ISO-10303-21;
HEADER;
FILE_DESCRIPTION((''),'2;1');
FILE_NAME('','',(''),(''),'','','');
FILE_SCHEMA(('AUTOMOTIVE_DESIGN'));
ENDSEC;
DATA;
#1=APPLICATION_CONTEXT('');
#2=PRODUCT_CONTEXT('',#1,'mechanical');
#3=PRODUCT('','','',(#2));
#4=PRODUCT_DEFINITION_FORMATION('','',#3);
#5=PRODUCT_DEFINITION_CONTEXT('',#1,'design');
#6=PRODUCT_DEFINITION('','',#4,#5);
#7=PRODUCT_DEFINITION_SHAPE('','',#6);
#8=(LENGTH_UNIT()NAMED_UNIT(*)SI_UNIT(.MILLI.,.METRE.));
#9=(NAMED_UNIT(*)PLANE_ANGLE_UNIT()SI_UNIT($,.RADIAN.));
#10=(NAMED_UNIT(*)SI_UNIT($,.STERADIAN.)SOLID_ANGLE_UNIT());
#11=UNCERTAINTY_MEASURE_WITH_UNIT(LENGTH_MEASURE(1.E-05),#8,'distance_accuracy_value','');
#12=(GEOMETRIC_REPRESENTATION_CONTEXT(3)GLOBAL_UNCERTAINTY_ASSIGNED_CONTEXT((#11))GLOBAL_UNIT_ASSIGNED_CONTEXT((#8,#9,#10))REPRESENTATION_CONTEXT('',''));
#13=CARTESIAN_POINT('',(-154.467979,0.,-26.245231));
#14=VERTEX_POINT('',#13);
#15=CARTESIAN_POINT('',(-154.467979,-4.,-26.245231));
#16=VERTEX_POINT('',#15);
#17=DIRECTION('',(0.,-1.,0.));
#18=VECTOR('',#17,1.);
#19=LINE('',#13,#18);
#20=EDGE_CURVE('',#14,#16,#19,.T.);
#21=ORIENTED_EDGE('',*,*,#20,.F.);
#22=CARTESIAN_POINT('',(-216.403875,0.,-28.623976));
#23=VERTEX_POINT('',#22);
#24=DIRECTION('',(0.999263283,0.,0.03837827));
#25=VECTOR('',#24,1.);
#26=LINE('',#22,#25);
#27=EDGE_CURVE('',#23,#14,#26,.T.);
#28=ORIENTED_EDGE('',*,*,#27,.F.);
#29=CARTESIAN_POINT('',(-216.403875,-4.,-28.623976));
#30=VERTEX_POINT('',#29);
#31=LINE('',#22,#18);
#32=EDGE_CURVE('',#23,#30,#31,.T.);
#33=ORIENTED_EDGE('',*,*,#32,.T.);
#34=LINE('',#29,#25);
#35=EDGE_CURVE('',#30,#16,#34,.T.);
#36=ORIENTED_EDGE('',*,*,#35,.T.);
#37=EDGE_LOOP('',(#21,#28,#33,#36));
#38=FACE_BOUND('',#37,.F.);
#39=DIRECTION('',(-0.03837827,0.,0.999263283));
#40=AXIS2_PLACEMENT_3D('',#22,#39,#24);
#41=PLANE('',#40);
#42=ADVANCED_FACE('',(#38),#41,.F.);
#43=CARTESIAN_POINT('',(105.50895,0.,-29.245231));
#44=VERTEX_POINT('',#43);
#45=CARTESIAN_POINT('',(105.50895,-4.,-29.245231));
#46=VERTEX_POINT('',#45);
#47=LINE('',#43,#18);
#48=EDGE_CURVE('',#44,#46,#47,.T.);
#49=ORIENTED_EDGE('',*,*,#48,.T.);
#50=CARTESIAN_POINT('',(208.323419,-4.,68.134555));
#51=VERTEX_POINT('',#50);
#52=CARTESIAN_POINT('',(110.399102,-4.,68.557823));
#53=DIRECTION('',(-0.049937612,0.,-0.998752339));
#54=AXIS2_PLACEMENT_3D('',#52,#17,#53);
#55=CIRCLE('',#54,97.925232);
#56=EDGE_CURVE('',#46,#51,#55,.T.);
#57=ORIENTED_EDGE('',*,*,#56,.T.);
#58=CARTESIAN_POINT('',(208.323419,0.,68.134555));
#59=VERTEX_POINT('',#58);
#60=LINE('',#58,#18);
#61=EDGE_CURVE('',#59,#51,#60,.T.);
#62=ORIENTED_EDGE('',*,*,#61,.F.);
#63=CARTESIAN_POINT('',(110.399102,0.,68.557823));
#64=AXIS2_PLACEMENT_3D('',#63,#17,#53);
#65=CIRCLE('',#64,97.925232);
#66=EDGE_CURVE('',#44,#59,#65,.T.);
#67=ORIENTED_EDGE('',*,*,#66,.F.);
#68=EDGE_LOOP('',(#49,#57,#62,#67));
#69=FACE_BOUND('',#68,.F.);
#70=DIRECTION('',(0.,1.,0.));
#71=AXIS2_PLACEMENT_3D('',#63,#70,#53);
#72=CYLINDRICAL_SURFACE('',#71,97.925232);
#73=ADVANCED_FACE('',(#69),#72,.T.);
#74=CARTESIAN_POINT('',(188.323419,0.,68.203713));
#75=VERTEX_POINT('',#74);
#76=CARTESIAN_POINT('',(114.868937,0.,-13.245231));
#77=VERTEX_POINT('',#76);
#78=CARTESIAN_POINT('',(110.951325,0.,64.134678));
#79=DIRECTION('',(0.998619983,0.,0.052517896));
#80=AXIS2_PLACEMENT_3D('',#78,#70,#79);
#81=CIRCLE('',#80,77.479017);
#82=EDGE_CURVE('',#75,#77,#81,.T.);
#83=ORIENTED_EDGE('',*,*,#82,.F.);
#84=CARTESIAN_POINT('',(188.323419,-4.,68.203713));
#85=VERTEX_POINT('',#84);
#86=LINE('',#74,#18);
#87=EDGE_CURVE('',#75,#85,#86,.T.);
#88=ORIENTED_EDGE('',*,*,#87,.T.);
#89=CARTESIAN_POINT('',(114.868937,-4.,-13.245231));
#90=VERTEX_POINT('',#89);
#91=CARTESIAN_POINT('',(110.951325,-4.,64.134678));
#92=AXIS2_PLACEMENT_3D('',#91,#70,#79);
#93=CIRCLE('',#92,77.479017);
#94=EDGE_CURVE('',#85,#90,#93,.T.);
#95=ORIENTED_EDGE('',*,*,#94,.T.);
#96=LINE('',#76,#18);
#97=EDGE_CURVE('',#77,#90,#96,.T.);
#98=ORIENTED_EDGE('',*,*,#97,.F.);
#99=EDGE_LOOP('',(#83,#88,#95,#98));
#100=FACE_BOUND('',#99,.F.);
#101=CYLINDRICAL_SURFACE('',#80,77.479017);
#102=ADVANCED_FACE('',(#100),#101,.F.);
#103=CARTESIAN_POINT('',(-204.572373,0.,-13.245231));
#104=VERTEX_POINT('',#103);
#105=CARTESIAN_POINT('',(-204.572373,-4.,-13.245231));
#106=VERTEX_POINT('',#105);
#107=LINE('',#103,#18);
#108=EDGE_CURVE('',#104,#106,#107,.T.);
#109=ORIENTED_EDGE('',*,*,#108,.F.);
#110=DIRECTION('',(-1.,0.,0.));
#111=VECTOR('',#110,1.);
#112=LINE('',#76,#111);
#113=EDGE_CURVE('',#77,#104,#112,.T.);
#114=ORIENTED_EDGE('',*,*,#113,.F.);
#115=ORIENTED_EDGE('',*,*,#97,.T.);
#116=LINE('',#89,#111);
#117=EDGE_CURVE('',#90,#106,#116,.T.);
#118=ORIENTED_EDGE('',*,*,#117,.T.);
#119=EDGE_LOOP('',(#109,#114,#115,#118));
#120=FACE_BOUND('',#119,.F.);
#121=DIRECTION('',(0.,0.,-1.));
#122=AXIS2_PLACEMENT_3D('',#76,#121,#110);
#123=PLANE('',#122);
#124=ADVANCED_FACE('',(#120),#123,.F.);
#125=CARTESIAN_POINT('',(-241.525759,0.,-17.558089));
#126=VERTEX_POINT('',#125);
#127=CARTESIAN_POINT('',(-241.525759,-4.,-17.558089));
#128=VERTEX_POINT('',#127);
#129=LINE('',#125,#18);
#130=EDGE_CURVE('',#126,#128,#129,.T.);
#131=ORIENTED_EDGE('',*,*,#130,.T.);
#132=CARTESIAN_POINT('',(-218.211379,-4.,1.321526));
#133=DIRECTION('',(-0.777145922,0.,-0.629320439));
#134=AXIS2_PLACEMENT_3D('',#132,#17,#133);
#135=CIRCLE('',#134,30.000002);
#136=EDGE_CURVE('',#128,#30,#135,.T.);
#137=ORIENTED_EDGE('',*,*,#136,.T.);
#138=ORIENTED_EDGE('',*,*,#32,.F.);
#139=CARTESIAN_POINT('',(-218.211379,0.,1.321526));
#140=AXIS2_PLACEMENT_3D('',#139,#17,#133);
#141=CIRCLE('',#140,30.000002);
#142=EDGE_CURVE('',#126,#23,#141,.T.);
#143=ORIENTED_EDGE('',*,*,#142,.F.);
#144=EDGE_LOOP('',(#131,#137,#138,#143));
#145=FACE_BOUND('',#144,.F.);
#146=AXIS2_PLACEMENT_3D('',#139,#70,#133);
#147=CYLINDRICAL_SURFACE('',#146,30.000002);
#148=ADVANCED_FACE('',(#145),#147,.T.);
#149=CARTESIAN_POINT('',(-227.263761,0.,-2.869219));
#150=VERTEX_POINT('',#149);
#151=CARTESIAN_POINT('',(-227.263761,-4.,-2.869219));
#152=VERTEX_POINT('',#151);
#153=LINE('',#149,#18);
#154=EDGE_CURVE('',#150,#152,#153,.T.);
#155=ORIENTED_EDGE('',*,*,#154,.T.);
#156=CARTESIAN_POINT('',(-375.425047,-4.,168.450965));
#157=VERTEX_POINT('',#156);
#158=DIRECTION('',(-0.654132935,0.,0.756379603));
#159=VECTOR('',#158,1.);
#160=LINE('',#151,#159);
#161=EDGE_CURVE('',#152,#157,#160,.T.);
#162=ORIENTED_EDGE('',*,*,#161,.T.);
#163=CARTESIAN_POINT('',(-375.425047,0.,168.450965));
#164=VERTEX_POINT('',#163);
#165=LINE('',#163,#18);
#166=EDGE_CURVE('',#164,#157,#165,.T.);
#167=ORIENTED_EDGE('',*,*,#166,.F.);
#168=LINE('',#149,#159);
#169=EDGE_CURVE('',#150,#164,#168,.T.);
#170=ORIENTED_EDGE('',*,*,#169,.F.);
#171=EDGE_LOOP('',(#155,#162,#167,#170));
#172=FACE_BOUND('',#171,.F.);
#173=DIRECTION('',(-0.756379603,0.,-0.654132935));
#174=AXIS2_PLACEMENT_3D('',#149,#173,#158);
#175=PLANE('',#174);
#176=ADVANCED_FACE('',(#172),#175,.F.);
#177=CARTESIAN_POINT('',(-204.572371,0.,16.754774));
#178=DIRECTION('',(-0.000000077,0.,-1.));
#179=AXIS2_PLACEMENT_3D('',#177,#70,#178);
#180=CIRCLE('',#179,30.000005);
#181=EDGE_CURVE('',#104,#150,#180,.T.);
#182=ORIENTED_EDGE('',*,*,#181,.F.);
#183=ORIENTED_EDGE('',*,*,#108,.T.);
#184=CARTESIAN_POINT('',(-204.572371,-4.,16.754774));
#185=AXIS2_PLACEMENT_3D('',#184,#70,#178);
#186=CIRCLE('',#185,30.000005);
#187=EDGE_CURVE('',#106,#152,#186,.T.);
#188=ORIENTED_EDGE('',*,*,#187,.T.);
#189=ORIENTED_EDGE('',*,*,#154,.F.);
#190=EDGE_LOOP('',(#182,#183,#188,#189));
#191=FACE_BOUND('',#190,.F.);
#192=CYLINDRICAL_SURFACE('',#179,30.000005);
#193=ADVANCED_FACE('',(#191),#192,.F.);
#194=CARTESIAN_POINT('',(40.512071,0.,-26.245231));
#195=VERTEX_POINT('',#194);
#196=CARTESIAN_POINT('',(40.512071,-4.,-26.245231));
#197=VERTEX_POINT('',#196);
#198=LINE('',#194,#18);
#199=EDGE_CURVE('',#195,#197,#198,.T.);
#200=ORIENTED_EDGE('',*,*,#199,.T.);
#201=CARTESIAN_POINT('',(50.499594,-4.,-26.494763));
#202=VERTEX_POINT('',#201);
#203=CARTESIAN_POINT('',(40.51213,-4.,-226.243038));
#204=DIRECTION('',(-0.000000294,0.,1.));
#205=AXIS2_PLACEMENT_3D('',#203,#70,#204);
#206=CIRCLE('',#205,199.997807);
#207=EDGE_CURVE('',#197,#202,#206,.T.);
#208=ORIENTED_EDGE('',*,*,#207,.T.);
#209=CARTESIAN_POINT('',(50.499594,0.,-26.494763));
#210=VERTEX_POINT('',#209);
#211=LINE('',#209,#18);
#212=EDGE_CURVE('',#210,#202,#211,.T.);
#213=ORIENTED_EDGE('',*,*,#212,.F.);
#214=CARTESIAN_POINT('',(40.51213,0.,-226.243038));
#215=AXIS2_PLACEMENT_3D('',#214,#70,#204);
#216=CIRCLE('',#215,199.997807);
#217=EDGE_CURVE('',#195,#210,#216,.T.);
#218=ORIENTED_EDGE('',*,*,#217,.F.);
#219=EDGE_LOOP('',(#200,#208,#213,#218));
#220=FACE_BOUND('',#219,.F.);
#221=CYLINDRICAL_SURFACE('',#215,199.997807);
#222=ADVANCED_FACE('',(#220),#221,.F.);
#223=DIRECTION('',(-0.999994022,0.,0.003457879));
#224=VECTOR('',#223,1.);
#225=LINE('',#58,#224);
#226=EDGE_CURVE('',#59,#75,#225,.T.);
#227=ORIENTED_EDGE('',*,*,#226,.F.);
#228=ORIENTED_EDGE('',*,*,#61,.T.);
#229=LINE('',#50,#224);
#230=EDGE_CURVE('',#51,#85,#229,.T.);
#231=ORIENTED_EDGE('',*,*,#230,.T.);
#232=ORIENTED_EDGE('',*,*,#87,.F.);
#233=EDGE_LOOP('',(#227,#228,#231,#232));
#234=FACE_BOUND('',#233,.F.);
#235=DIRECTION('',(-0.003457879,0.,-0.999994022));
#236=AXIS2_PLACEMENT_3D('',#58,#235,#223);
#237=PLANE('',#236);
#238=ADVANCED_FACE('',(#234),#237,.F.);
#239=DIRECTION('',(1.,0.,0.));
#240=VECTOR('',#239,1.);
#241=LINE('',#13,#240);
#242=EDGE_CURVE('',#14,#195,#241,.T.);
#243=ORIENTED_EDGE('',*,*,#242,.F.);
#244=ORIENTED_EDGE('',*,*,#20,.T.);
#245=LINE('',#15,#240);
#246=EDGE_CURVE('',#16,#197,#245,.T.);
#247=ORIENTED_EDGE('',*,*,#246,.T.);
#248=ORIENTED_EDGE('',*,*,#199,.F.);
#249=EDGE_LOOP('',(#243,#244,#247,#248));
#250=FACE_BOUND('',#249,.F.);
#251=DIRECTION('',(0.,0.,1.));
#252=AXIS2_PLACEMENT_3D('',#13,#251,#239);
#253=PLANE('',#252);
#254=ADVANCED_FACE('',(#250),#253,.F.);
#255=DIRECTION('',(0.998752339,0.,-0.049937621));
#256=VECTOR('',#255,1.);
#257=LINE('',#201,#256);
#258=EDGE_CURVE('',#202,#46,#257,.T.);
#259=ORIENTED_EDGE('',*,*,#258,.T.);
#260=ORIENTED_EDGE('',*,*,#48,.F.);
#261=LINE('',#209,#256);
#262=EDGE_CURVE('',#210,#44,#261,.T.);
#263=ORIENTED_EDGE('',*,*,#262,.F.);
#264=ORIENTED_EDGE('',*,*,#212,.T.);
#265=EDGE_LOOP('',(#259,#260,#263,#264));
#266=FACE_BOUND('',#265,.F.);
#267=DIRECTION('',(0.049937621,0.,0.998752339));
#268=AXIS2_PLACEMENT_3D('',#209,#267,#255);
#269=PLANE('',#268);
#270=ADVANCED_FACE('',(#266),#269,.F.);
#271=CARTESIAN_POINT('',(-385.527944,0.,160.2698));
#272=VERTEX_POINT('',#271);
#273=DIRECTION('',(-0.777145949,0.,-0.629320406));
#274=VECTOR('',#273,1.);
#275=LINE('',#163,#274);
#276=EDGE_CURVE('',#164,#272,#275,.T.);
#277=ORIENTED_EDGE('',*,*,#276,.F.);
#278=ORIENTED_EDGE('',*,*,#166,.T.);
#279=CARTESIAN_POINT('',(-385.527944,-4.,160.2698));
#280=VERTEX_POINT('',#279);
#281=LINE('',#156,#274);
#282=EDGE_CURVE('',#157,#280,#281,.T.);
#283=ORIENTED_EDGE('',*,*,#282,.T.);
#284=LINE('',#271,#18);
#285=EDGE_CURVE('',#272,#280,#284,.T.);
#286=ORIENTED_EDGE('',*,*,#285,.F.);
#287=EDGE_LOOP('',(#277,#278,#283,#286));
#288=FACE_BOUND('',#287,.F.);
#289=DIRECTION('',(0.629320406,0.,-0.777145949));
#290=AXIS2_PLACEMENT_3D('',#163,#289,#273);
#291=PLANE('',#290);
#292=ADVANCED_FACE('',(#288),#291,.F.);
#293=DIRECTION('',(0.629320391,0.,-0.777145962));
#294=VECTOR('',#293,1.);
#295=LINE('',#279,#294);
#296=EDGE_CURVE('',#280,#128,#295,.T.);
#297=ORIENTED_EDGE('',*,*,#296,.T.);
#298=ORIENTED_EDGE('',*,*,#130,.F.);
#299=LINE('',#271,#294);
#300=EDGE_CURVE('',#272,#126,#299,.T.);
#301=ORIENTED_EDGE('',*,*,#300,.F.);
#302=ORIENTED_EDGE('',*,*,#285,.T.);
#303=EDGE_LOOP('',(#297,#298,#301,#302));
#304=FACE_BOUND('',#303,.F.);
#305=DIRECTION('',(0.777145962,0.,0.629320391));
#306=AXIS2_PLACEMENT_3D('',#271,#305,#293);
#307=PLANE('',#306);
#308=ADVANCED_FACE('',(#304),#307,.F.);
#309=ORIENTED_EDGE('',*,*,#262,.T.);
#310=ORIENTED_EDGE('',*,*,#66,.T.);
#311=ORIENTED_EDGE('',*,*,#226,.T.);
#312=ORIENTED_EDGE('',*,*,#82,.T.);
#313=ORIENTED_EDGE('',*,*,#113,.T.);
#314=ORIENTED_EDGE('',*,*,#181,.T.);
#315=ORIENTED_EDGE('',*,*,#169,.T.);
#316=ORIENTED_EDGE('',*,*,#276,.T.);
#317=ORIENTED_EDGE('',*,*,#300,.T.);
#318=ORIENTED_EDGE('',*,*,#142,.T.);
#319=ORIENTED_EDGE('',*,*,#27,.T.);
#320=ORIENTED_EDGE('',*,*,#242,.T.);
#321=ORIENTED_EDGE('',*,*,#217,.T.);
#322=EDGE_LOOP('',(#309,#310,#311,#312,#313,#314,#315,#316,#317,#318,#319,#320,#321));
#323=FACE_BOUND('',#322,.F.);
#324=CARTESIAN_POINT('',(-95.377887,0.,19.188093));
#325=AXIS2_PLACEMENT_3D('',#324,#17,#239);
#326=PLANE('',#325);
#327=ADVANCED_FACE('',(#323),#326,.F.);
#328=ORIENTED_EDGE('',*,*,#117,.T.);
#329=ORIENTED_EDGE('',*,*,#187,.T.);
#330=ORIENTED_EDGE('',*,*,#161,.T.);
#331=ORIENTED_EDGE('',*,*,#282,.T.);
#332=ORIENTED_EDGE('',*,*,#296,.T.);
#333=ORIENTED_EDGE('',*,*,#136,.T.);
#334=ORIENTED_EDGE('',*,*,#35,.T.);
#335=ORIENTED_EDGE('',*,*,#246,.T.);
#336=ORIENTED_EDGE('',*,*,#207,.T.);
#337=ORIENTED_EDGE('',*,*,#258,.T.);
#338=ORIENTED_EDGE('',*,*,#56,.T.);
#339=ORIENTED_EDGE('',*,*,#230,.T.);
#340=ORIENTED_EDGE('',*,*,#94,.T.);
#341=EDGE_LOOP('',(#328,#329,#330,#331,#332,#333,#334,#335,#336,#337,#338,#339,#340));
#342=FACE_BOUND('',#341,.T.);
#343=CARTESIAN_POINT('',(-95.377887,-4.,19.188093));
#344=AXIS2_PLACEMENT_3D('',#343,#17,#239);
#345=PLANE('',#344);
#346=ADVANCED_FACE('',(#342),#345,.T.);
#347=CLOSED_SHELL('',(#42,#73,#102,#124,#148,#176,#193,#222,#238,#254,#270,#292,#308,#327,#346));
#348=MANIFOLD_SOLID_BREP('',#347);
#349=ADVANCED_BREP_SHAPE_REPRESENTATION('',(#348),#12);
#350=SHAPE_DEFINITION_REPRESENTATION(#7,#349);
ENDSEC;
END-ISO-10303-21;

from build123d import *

# Parameters (mm, degrees)
F1_DEPTH = 4


with BuildPart() as f1:
    # F0 (on Front) → F1 (new body)
    with BuildSketch(Plane.XZ):
        with BuildLine():
            Line((-385.527944, 160.2698), (-241.525759, -17.558089))
            ThreePointArc((-241.525759, -17.558089), (-230.304761, -26.132987), (-216.403875, -28.623976))
            Line((-216.403875, -28.623976), (-154.467979, -26.245231))
            Line((-154.467979, -26.245231), (40.512071, -26.245231))
            ThreePointArc((40.512071, -26.245231), (45.507391, -26.307623), (50.499594, -26.494763))
            Line((50.499594, -26.494763), (105.50895, -29.245231))
            ThreePointArc((105.50895, -29.245231), (177.73813, -2.539338), (208.323419, 68.134555))
            Line((208.323419, 68.134555), (188.323419, 68.203713))
            ThreePointArc((188.323419, 68.203713), (168.488154, 12.245264), (114.868937, -13.245231))
            Line((114.868937, -13.245231), (-204.572373, -13.245231))
            ThreePointArc((-204.572373, -13.245231), (-217.047956, -10.528189), (-227.263761, -2.869219))
            Line((-227.263761, -2.869219), (-375.425047, 168.450965))
            Line((-375.425047, 168.450965), (-385.527944, 160.2698))
        make_face()
    extrude(amount=F1_DEPTH)


solid = f1.part
